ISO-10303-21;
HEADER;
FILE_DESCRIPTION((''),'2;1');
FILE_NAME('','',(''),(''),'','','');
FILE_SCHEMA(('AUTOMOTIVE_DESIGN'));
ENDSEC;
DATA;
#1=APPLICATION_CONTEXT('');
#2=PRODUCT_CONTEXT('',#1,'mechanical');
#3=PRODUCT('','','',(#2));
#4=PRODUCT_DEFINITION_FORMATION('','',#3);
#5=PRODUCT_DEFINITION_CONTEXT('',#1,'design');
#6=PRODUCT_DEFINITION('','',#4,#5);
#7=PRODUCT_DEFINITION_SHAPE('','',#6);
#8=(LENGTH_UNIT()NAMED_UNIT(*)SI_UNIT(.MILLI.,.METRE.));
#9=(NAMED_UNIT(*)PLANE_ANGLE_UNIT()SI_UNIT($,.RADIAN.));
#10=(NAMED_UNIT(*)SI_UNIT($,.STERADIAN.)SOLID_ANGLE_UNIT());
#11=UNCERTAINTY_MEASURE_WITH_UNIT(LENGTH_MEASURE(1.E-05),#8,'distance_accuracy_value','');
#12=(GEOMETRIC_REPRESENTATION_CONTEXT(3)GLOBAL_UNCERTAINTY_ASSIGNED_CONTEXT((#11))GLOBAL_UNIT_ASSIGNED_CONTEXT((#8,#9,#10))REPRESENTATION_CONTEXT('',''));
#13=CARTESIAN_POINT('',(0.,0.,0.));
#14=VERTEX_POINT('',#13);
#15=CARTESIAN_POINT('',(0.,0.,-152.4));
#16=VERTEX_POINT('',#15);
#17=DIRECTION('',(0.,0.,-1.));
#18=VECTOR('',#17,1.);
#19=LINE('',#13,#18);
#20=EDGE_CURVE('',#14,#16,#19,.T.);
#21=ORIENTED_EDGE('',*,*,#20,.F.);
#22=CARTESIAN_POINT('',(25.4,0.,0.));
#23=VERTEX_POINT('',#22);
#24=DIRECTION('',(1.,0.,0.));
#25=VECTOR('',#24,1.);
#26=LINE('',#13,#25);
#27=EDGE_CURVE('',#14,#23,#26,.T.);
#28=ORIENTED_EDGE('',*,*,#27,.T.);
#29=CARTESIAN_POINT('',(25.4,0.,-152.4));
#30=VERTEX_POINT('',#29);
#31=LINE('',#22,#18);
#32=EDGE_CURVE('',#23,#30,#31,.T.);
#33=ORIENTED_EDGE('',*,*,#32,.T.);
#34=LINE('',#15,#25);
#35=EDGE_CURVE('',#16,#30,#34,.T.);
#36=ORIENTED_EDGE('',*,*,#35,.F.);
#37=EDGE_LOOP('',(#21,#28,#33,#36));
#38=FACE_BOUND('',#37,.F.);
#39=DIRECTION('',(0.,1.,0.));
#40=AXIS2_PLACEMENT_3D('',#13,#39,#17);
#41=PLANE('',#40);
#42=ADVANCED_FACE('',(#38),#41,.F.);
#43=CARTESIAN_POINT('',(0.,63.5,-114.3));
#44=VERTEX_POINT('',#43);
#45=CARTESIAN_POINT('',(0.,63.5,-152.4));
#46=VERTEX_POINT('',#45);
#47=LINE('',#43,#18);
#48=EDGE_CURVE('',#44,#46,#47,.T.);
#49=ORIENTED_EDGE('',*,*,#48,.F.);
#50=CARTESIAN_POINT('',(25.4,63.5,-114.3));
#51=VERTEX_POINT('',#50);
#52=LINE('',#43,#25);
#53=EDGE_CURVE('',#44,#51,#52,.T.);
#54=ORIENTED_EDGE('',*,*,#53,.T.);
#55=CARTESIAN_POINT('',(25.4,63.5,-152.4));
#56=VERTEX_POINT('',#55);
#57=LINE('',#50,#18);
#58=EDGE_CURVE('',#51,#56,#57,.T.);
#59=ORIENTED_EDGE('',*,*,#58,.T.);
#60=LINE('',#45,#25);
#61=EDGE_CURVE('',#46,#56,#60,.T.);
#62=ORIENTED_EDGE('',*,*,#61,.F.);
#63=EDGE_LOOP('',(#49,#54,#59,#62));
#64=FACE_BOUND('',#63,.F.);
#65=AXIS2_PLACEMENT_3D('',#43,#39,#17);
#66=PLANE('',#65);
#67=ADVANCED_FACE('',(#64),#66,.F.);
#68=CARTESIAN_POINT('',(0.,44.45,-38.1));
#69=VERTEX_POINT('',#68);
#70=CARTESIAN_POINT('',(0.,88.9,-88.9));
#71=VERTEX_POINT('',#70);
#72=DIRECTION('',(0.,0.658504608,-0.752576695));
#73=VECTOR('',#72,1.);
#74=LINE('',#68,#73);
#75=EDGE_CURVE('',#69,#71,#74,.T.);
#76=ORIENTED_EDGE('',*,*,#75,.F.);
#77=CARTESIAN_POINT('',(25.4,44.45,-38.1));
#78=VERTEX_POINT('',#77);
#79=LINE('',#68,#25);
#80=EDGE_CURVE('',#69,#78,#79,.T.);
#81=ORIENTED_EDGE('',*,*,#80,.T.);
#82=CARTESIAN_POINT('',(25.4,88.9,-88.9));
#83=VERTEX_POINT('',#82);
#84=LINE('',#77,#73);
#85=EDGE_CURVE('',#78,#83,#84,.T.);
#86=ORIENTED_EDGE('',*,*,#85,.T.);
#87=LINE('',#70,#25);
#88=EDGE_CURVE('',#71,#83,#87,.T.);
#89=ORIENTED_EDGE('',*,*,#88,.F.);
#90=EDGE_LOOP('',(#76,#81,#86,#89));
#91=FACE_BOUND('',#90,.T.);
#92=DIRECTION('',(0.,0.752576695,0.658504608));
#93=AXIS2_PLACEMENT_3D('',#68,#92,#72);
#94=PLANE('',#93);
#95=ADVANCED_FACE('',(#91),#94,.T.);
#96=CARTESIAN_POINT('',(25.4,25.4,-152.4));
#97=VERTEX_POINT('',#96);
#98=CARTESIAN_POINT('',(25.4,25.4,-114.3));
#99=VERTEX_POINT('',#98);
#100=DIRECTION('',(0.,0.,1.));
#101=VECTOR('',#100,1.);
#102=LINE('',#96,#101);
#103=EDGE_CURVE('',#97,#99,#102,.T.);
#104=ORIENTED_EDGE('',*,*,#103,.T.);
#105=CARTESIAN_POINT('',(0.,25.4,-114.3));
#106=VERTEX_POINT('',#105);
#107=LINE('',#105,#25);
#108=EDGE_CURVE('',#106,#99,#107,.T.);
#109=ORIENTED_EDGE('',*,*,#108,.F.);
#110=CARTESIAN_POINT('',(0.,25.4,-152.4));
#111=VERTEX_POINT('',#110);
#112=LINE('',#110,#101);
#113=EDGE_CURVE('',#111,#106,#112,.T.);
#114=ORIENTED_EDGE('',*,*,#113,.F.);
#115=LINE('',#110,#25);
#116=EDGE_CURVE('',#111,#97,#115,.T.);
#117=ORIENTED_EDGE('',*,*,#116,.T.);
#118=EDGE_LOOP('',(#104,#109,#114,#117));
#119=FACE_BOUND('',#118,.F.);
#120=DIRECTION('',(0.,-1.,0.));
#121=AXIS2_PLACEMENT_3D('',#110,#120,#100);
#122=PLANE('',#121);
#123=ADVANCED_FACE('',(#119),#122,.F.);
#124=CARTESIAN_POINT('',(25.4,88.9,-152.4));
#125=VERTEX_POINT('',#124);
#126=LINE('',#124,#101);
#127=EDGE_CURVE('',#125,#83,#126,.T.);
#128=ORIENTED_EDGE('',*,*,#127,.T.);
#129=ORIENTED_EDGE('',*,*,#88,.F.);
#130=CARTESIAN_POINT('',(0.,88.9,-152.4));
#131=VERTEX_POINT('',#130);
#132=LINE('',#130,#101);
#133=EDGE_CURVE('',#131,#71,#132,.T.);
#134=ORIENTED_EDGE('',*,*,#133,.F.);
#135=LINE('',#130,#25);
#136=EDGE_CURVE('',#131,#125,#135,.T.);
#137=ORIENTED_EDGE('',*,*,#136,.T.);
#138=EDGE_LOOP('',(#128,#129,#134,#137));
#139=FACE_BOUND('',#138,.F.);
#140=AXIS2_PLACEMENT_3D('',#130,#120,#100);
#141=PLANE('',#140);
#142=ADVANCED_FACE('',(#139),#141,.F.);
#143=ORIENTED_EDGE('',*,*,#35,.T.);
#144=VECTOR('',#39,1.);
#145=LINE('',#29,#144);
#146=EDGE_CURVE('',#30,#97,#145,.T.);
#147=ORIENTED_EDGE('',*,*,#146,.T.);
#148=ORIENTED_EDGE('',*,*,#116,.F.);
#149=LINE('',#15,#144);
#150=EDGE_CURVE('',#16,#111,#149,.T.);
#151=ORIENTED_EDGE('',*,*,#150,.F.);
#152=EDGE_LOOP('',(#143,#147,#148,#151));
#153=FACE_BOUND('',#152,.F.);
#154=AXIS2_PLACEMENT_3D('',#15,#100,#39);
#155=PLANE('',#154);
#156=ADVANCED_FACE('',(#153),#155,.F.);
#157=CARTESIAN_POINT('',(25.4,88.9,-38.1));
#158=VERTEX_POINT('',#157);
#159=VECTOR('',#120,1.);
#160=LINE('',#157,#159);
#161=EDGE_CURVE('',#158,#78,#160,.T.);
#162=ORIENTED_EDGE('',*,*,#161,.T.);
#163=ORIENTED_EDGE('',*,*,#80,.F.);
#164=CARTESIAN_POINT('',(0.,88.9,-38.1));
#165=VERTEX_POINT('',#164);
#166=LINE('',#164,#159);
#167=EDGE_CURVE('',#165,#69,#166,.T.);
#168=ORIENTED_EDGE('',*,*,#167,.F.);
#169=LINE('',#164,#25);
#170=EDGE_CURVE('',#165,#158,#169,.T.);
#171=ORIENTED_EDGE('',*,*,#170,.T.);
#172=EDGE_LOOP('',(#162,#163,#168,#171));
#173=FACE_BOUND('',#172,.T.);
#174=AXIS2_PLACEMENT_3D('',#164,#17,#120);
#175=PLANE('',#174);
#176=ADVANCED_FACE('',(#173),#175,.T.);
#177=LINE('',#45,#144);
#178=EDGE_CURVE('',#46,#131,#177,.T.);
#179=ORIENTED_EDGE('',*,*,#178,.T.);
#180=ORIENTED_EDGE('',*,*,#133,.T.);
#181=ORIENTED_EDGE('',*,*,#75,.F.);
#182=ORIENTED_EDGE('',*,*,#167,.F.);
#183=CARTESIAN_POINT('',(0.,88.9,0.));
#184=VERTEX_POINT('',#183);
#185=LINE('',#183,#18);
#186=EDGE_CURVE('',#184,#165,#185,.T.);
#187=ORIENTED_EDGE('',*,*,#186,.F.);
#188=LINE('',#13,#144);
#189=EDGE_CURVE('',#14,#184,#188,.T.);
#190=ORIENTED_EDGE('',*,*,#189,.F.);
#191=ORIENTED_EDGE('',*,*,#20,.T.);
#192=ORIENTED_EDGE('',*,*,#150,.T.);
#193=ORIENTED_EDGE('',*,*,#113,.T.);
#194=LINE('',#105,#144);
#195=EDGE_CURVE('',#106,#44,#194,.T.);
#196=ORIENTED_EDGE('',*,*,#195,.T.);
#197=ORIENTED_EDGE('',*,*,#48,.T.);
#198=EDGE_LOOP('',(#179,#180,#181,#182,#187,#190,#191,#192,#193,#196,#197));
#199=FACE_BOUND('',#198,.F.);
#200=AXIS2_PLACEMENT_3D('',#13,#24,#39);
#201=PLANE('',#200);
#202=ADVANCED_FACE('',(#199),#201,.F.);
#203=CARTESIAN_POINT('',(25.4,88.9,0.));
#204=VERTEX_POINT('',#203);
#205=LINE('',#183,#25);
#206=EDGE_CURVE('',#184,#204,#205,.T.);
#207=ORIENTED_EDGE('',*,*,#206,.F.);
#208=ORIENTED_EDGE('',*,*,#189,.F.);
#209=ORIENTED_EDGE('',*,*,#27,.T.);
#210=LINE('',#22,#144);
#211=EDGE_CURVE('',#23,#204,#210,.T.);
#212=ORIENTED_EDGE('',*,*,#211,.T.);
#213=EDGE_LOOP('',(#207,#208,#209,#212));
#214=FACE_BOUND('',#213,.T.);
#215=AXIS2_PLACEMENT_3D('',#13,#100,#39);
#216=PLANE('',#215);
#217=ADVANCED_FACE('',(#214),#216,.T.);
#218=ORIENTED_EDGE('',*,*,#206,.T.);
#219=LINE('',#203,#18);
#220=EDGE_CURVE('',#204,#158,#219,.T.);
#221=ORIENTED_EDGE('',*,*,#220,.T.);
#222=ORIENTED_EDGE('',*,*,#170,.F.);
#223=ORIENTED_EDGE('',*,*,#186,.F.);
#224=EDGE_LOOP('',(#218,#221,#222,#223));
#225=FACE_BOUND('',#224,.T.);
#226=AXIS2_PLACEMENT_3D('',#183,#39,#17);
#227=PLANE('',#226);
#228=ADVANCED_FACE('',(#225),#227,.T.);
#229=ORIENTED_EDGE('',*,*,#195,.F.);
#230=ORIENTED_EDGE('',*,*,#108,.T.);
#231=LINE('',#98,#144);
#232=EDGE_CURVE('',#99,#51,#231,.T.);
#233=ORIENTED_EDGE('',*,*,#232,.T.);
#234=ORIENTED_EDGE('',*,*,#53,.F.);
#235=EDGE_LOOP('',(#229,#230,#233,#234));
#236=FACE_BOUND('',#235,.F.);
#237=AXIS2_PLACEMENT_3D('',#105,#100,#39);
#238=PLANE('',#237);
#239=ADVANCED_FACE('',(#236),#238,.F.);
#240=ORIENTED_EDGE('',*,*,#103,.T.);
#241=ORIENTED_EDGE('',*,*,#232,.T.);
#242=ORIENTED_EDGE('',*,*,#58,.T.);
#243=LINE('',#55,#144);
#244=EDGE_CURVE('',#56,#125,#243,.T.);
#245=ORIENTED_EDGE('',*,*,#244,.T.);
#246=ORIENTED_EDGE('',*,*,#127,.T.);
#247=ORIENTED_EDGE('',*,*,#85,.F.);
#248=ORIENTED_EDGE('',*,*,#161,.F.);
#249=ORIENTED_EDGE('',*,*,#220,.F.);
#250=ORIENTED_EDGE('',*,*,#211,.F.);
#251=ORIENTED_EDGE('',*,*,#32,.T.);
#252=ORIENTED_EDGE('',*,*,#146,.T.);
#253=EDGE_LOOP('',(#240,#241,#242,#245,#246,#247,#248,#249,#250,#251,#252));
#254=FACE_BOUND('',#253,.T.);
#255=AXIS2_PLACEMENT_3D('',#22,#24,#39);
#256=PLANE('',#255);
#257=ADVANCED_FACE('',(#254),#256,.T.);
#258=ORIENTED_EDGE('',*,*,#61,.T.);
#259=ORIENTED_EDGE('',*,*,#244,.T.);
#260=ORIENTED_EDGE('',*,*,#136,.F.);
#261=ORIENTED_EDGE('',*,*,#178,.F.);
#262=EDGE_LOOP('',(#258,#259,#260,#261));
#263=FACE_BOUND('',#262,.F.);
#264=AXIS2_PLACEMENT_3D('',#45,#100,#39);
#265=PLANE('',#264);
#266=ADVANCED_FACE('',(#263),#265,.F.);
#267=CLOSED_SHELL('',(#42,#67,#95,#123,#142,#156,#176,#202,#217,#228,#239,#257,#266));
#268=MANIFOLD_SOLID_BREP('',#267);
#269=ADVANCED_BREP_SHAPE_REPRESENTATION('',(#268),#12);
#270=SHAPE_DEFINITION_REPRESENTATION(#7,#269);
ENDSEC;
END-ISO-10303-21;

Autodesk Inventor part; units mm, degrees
ref_plane "YZ Plane" through (0, 0, 0) normal (1, 0, 0) x (0, 1, 0)
ref_plane "XZ Plane" through (0, 0, 0) normal (0, 1, 0) x (-1, 0, 0)
ref_plane "XY Plane" through (0, 0, 0) normal (0, 0, 1) x (1, 0, 0)
sketch "Sketch1" plane through (0, 0, 0) normal (1, 0, 0) x (0, 1, 0)
  line L0 (0, 0) -> (0, -152.4)
  line L1 (0, -152.4) -> (25.4, -152.4)
  line L2 (25.4, -152.4) -> (25.4, -114.3)
  line L3 (25.4, -114.3) -> (63.5, -114.3)
  line L4 (63.5, -114.3) -> (63.5, -152.4)
  line L5 (63.5, -152.4) -> (88.9, -152.4)
  line L6 (88.9, -152.4) -> (88.9, -88.9)
  line L7 (0, 0) -> (88.9, 0)
  line L8 (88.9, 0) -> (88.9, -38.1)
  line L9 (88.9, -38.1) -> (44.45, -38.1)
  line L10 (44.45, -38.1) -> (88.9, -88.9)
  dimension "d0" = 152.4
extrude "Extrusion1" add sketch "Sketch1" along normal blind 25.4
properties part number "P2-1"
